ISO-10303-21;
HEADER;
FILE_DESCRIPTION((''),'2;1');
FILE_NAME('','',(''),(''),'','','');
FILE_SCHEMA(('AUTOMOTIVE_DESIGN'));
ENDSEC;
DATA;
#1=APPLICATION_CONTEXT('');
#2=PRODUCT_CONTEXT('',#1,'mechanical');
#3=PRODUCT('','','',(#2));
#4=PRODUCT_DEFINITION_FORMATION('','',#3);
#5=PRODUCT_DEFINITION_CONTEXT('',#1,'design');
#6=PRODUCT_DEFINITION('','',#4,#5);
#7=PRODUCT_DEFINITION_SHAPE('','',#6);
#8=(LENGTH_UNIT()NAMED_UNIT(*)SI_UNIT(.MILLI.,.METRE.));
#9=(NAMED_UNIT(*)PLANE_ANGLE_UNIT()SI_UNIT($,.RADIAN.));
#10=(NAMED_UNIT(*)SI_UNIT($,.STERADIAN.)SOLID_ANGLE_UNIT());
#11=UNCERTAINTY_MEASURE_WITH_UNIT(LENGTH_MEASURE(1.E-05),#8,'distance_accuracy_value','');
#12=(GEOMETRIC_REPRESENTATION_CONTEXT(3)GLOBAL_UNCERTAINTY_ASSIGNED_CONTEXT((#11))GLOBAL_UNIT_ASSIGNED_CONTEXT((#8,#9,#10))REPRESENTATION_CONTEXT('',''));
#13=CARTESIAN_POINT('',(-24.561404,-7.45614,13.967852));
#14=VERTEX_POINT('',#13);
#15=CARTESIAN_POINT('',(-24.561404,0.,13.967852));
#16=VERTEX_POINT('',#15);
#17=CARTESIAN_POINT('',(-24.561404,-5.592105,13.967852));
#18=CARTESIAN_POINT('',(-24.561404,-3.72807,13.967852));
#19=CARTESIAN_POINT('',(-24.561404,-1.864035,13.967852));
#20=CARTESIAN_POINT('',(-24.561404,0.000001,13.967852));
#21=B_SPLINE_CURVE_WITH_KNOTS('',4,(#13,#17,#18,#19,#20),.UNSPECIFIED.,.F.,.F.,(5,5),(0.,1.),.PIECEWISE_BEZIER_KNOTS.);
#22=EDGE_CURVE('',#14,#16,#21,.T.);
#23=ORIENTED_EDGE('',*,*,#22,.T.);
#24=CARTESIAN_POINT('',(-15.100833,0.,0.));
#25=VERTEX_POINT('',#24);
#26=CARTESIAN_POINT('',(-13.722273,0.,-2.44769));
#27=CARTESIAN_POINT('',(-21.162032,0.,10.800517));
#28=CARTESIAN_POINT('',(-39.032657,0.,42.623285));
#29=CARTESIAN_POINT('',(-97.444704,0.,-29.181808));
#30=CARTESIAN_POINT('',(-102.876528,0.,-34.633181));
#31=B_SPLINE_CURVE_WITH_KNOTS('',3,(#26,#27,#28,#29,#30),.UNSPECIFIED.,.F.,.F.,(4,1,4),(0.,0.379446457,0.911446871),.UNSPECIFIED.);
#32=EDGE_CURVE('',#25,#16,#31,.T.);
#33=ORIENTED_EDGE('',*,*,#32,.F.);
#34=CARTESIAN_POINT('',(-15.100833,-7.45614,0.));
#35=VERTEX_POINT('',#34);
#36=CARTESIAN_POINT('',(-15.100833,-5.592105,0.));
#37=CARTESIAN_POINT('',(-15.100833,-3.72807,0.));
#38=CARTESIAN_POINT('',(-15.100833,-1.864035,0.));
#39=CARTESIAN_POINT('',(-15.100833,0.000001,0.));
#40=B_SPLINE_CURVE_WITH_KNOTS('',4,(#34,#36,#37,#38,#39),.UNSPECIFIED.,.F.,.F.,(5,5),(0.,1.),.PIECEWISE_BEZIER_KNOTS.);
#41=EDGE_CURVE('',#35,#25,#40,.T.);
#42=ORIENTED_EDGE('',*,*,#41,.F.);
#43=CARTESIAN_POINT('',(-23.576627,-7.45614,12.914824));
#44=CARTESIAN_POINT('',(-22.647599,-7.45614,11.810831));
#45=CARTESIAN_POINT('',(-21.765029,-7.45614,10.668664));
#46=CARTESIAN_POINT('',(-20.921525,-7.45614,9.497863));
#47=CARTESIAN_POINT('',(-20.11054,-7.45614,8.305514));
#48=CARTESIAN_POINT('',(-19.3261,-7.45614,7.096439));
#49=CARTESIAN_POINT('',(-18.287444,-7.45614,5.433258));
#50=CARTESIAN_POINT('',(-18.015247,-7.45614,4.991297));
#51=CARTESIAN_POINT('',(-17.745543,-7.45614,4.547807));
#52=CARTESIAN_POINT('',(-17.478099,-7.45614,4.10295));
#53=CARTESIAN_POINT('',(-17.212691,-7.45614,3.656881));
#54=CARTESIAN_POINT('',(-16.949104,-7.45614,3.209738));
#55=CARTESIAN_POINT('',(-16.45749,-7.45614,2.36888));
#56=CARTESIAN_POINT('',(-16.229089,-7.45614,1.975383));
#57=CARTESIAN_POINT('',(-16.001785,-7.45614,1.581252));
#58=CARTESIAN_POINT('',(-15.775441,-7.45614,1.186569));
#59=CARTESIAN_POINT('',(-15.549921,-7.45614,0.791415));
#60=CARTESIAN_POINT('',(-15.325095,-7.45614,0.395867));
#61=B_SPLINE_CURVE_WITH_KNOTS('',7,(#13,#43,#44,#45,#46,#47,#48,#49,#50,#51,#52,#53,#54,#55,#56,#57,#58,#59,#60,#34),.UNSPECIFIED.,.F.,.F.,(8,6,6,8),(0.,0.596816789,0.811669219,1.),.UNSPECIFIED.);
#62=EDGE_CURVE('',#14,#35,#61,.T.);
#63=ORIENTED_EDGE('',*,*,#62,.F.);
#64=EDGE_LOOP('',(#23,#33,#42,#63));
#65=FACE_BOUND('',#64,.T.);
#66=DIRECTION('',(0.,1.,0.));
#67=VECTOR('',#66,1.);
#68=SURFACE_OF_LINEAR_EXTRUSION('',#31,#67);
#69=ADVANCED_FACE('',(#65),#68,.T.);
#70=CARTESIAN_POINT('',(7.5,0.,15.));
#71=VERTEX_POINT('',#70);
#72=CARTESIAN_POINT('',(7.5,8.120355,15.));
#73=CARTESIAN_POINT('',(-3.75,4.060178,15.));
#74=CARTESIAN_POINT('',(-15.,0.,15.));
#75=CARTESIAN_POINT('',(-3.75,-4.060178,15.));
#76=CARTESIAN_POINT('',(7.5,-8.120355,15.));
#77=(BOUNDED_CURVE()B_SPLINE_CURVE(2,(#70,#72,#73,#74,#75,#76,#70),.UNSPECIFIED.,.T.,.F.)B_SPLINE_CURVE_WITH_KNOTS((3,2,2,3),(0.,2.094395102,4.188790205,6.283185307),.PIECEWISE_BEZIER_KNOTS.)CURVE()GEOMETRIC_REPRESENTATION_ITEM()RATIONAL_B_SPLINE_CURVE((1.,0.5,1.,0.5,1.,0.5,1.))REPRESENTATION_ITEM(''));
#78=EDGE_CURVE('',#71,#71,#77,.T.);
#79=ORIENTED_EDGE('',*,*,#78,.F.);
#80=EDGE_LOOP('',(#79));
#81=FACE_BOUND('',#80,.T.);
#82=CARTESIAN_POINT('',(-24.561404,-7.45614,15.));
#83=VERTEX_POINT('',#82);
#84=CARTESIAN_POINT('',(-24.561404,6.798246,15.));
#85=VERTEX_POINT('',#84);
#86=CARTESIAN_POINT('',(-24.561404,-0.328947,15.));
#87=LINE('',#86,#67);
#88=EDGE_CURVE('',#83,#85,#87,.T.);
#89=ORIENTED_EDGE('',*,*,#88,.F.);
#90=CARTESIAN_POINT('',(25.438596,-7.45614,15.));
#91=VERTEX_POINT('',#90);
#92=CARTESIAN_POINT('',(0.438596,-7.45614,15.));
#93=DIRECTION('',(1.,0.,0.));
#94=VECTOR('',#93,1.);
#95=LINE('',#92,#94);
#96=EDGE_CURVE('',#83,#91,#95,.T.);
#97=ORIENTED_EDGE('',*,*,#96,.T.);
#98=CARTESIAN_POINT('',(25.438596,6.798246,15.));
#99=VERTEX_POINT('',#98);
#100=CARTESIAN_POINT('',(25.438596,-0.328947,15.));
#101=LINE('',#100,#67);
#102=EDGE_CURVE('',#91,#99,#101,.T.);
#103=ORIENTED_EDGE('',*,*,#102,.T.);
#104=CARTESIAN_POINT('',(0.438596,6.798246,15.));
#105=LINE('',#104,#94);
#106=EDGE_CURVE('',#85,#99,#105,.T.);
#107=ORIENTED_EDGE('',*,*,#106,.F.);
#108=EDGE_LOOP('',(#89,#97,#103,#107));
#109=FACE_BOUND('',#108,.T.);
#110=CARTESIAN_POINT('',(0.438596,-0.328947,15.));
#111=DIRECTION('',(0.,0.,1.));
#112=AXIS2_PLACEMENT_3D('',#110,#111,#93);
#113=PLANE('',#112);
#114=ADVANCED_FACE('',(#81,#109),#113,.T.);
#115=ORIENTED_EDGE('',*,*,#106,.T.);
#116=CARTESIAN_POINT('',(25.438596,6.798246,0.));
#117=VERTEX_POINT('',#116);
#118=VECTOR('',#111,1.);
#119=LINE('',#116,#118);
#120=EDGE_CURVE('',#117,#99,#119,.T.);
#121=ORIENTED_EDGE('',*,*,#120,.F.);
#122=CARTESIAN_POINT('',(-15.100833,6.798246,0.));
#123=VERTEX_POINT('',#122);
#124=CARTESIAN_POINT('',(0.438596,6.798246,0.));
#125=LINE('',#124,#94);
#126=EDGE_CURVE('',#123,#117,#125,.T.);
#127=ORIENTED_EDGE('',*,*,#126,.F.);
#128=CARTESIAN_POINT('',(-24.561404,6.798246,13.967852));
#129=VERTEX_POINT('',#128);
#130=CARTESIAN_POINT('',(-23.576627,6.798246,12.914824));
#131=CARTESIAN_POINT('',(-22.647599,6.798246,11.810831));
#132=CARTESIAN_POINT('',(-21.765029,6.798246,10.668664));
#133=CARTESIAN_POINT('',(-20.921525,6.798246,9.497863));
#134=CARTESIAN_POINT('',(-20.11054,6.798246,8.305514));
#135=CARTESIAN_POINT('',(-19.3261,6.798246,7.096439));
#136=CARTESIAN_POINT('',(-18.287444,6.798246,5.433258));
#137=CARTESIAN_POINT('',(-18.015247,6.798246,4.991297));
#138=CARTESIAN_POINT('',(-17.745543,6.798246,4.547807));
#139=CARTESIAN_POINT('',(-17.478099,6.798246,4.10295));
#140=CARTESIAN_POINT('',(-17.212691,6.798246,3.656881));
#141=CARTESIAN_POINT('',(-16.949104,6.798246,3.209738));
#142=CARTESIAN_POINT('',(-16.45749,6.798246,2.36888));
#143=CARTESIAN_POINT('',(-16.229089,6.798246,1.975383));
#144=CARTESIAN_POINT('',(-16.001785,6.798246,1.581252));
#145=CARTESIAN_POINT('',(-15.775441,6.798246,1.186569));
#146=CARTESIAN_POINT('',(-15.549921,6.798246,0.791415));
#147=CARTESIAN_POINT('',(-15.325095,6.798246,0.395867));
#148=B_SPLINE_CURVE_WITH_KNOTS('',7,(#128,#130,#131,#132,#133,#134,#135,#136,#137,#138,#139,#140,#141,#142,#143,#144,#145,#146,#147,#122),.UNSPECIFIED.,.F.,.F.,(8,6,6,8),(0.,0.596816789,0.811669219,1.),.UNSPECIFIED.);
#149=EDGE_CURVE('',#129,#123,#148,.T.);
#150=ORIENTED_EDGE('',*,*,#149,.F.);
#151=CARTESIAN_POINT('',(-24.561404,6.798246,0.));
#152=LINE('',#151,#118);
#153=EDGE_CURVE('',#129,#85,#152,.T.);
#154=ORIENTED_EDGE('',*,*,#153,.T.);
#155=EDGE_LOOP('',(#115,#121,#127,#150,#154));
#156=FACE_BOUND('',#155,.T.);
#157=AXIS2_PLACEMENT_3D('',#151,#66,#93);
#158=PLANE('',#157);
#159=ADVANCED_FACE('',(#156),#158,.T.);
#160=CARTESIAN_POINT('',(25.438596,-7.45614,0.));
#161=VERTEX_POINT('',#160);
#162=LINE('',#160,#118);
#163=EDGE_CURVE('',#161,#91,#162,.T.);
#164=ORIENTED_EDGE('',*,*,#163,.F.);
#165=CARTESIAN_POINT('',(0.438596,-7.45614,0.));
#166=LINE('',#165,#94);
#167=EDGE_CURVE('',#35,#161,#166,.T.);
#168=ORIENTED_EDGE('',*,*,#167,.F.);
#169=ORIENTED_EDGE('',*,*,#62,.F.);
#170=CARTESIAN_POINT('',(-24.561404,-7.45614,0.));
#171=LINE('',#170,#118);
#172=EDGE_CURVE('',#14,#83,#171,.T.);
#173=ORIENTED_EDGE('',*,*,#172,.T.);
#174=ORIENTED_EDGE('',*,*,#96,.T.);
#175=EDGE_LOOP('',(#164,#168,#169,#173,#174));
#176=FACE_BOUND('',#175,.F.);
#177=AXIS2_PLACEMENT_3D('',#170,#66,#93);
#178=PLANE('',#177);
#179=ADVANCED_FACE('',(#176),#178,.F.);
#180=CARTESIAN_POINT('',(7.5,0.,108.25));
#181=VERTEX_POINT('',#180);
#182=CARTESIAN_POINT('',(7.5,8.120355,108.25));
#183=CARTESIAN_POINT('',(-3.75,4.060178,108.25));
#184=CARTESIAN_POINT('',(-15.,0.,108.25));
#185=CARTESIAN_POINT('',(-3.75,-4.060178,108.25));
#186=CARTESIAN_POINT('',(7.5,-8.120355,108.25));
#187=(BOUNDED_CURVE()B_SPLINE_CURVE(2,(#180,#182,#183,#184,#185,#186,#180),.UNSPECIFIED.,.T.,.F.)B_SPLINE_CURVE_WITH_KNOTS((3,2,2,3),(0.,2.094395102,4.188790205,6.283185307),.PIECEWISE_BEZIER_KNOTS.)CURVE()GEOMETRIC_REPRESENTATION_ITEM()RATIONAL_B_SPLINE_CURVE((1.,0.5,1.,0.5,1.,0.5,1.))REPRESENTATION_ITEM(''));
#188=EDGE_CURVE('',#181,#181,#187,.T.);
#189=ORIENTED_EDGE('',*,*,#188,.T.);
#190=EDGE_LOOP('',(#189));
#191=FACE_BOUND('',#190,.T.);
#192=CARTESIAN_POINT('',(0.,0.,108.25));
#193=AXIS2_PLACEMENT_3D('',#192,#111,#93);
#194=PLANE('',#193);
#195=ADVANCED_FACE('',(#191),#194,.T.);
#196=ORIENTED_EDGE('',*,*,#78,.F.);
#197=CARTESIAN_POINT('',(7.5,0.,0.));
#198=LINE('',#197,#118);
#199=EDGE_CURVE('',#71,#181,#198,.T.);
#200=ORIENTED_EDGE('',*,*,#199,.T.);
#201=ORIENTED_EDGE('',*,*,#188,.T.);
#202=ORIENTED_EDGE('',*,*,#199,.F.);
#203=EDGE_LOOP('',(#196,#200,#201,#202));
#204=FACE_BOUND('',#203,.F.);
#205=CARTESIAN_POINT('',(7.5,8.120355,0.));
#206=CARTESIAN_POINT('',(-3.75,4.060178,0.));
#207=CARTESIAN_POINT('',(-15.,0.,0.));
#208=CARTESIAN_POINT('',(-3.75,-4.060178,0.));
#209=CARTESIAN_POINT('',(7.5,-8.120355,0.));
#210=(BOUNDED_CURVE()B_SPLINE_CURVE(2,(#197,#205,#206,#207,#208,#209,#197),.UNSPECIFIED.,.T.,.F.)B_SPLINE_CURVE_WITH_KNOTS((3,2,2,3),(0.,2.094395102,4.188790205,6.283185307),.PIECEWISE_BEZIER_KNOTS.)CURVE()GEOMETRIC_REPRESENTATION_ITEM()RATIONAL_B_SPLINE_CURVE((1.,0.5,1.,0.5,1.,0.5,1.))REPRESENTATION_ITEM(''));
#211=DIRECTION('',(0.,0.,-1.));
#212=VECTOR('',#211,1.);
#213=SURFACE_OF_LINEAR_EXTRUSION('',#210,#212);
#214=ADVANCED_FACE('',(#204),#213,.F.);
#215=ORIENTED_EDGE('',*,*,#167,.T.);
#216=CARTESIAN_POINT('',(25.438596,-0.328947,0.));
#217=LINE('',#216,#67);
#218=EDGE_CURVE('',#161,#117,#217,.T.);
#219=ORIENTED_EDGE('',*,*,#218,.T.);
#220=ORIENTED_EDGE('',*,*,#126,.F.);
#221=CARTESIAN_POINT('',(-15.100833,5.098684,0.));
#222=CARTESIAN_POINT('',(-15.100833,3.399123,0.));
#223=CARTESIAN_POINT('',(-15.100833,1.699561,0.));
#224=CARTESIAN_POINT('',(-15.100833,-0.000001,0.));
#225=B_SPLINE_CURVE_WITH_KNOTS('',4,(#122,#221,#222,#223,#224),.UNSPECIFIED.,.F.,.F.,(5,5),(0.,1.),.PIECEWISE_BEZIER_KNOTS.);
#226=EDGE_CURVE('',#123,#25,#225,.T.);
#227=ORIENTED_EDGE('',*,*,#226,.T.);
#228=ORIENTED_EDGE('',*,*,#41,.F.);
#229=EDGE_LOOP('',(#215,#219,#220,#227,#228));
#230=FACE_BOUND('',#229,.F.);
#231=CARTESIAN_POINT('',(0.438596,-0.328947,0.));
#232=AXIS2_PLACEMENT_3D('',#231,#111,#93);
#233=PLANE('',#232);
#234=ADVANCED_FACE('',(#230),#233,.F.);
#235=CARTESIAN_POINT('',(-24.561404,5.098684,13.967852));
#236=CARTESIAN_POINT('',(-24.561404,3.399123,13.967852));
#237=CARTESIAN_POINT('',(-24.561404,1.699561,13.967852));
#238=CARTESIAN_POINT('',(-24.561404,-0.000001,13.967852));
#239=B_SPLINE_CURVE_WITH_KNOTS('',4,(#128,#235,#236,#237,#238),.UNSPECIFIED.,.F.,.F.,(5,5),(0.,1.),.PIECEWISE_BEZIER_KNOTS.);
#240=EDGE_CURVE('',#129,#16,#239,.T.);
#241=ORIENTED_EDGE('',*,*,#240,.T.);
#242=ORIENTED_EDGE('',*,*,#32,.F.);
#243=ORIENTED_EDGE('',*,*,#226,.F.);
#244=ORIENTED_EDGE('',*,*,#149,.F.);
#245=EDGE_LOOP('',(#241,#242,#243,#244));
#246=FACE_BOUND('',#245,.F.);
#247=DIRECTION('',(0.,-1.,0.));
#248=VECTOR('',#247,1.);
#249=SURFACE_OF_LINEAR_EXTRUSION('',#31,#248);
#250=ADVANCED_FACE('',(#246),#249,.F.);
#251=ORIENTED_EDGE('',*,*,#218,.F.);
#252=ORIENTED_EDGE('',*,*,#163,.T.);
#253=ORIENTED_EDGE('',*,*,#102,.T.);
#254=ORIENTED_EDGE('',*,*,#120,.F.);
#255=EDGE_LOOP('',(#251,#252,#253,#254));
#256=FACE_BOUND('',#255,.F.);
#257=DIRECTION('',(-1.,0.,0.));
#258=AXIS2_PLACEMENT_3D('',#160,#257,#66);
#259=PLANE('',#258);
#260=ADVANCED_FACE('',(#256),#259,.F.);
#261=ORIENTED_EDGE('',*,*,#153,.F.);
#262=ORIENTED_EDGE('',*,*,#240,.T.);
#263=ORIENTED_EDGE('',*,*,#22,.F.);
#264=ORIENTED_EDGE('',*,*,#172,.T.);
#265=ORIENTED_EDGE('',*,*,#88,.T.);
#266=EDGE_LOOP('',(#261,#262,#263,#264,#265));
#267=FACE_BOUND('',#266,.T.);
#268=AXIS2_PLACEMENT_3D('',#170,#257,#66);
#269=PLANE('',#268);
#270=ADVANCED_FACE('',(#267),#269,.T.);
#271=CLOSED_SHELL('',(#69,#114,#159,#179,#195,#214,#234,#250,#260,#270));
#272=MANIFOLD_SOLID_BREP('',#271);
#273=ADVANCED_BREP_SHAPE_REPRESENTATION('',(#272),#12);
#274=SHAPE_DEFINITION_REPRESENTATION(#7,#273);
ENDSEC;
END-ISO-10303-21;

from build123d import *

# Parameters (mm, degrees)
F1_DEPTH      = 108.25
F0_W          = 50
F0_H          = 14.2543859158
F2_DEPTH      = 15
F4_DEPTH      = 25
F4_DEPTH_BACK = 25


with BuildPart() as f1:
    # F0 (on Top) → F1 (new body)
    with BuildSketch(Plane.XY):
        with BuildLine():
            add(Edge.make_bspline(
                [(7.5, 0), (7.5, 8.1203551532), (-3.75, 4.0601775766), (-15, 0), (-3.75, -4.0601775766), (7.5, -8.1203551532), (7.5, 0)],
                knots=[0, 0, 0, 2.0943951024, 2.0943951024, 4.1887902048, 4.1887902048, 6.2831853072, 6.2831853072, 6.2831853072], degree=2, weights=[1, 0.5, 1, 0.5, 1, 0.5, 1]))
        make_face()
    extrude(amount=F1_DEPTH)

    # F0 (on Top) → F2 (join)
    with BuildSketch(Plane.XY):
        with Locations((0.4385960588, -0.3289473242)):
            Rectangle(F0_W, F0_H)
        with BuildLine():
            add(Edge.make_bspline(
                [(7.5, 0), (7.5, 8.1203551532), (-3.75, 4.0601775766), (-15, 0), (-3.75, -4.0601775766), (7.5, -8.1203551532), (7.5, 0)],
                knots=[0, 0, 0, 2.0943951024, 2.0943951024, 4.1887902048, 4.1887902048, 6.2831853072, 6.2831853072, 6.2831853072], degree=2, weights=[1, 0.5, 1, 0.5, 1, 0.5, 1]))
        make_face(mode=Mode.SUBTRACT)
    extrude(amount=F2_DEPTH)

    # F3 (on Front) → F4 (cut, two sides)
    with BuildSketch(Plane.XZ) as f4_sk:
        with BuildLine():
            Line((-102.876528388, -34.6331812675), (-13.7222725898, -2.4476898834))
            add(Edge.make_bspline(
                [(-13.7222725898, -2.4476898834), (-21.162031834, 10.8005169335), (-39.0326566675, 42.6232851133), (-97.4447040112, -29.1818083054), (-102.876528388, -34.6331812675)],
                knots=[0, 0, 0, 0, 0.3794464572, 0.9114468707, 0.9114468707, 0.9114468707, 0.9114468707], degree=3))
        make_face()
    extrude(amount=-F4_DEPTH, mode=Mode.SUBTRACT)
    extrude(f4_sk.sketch, amount=F4_DEPTH_BACK, mode=Mode.SUBTRACT)


solid = f1.part
